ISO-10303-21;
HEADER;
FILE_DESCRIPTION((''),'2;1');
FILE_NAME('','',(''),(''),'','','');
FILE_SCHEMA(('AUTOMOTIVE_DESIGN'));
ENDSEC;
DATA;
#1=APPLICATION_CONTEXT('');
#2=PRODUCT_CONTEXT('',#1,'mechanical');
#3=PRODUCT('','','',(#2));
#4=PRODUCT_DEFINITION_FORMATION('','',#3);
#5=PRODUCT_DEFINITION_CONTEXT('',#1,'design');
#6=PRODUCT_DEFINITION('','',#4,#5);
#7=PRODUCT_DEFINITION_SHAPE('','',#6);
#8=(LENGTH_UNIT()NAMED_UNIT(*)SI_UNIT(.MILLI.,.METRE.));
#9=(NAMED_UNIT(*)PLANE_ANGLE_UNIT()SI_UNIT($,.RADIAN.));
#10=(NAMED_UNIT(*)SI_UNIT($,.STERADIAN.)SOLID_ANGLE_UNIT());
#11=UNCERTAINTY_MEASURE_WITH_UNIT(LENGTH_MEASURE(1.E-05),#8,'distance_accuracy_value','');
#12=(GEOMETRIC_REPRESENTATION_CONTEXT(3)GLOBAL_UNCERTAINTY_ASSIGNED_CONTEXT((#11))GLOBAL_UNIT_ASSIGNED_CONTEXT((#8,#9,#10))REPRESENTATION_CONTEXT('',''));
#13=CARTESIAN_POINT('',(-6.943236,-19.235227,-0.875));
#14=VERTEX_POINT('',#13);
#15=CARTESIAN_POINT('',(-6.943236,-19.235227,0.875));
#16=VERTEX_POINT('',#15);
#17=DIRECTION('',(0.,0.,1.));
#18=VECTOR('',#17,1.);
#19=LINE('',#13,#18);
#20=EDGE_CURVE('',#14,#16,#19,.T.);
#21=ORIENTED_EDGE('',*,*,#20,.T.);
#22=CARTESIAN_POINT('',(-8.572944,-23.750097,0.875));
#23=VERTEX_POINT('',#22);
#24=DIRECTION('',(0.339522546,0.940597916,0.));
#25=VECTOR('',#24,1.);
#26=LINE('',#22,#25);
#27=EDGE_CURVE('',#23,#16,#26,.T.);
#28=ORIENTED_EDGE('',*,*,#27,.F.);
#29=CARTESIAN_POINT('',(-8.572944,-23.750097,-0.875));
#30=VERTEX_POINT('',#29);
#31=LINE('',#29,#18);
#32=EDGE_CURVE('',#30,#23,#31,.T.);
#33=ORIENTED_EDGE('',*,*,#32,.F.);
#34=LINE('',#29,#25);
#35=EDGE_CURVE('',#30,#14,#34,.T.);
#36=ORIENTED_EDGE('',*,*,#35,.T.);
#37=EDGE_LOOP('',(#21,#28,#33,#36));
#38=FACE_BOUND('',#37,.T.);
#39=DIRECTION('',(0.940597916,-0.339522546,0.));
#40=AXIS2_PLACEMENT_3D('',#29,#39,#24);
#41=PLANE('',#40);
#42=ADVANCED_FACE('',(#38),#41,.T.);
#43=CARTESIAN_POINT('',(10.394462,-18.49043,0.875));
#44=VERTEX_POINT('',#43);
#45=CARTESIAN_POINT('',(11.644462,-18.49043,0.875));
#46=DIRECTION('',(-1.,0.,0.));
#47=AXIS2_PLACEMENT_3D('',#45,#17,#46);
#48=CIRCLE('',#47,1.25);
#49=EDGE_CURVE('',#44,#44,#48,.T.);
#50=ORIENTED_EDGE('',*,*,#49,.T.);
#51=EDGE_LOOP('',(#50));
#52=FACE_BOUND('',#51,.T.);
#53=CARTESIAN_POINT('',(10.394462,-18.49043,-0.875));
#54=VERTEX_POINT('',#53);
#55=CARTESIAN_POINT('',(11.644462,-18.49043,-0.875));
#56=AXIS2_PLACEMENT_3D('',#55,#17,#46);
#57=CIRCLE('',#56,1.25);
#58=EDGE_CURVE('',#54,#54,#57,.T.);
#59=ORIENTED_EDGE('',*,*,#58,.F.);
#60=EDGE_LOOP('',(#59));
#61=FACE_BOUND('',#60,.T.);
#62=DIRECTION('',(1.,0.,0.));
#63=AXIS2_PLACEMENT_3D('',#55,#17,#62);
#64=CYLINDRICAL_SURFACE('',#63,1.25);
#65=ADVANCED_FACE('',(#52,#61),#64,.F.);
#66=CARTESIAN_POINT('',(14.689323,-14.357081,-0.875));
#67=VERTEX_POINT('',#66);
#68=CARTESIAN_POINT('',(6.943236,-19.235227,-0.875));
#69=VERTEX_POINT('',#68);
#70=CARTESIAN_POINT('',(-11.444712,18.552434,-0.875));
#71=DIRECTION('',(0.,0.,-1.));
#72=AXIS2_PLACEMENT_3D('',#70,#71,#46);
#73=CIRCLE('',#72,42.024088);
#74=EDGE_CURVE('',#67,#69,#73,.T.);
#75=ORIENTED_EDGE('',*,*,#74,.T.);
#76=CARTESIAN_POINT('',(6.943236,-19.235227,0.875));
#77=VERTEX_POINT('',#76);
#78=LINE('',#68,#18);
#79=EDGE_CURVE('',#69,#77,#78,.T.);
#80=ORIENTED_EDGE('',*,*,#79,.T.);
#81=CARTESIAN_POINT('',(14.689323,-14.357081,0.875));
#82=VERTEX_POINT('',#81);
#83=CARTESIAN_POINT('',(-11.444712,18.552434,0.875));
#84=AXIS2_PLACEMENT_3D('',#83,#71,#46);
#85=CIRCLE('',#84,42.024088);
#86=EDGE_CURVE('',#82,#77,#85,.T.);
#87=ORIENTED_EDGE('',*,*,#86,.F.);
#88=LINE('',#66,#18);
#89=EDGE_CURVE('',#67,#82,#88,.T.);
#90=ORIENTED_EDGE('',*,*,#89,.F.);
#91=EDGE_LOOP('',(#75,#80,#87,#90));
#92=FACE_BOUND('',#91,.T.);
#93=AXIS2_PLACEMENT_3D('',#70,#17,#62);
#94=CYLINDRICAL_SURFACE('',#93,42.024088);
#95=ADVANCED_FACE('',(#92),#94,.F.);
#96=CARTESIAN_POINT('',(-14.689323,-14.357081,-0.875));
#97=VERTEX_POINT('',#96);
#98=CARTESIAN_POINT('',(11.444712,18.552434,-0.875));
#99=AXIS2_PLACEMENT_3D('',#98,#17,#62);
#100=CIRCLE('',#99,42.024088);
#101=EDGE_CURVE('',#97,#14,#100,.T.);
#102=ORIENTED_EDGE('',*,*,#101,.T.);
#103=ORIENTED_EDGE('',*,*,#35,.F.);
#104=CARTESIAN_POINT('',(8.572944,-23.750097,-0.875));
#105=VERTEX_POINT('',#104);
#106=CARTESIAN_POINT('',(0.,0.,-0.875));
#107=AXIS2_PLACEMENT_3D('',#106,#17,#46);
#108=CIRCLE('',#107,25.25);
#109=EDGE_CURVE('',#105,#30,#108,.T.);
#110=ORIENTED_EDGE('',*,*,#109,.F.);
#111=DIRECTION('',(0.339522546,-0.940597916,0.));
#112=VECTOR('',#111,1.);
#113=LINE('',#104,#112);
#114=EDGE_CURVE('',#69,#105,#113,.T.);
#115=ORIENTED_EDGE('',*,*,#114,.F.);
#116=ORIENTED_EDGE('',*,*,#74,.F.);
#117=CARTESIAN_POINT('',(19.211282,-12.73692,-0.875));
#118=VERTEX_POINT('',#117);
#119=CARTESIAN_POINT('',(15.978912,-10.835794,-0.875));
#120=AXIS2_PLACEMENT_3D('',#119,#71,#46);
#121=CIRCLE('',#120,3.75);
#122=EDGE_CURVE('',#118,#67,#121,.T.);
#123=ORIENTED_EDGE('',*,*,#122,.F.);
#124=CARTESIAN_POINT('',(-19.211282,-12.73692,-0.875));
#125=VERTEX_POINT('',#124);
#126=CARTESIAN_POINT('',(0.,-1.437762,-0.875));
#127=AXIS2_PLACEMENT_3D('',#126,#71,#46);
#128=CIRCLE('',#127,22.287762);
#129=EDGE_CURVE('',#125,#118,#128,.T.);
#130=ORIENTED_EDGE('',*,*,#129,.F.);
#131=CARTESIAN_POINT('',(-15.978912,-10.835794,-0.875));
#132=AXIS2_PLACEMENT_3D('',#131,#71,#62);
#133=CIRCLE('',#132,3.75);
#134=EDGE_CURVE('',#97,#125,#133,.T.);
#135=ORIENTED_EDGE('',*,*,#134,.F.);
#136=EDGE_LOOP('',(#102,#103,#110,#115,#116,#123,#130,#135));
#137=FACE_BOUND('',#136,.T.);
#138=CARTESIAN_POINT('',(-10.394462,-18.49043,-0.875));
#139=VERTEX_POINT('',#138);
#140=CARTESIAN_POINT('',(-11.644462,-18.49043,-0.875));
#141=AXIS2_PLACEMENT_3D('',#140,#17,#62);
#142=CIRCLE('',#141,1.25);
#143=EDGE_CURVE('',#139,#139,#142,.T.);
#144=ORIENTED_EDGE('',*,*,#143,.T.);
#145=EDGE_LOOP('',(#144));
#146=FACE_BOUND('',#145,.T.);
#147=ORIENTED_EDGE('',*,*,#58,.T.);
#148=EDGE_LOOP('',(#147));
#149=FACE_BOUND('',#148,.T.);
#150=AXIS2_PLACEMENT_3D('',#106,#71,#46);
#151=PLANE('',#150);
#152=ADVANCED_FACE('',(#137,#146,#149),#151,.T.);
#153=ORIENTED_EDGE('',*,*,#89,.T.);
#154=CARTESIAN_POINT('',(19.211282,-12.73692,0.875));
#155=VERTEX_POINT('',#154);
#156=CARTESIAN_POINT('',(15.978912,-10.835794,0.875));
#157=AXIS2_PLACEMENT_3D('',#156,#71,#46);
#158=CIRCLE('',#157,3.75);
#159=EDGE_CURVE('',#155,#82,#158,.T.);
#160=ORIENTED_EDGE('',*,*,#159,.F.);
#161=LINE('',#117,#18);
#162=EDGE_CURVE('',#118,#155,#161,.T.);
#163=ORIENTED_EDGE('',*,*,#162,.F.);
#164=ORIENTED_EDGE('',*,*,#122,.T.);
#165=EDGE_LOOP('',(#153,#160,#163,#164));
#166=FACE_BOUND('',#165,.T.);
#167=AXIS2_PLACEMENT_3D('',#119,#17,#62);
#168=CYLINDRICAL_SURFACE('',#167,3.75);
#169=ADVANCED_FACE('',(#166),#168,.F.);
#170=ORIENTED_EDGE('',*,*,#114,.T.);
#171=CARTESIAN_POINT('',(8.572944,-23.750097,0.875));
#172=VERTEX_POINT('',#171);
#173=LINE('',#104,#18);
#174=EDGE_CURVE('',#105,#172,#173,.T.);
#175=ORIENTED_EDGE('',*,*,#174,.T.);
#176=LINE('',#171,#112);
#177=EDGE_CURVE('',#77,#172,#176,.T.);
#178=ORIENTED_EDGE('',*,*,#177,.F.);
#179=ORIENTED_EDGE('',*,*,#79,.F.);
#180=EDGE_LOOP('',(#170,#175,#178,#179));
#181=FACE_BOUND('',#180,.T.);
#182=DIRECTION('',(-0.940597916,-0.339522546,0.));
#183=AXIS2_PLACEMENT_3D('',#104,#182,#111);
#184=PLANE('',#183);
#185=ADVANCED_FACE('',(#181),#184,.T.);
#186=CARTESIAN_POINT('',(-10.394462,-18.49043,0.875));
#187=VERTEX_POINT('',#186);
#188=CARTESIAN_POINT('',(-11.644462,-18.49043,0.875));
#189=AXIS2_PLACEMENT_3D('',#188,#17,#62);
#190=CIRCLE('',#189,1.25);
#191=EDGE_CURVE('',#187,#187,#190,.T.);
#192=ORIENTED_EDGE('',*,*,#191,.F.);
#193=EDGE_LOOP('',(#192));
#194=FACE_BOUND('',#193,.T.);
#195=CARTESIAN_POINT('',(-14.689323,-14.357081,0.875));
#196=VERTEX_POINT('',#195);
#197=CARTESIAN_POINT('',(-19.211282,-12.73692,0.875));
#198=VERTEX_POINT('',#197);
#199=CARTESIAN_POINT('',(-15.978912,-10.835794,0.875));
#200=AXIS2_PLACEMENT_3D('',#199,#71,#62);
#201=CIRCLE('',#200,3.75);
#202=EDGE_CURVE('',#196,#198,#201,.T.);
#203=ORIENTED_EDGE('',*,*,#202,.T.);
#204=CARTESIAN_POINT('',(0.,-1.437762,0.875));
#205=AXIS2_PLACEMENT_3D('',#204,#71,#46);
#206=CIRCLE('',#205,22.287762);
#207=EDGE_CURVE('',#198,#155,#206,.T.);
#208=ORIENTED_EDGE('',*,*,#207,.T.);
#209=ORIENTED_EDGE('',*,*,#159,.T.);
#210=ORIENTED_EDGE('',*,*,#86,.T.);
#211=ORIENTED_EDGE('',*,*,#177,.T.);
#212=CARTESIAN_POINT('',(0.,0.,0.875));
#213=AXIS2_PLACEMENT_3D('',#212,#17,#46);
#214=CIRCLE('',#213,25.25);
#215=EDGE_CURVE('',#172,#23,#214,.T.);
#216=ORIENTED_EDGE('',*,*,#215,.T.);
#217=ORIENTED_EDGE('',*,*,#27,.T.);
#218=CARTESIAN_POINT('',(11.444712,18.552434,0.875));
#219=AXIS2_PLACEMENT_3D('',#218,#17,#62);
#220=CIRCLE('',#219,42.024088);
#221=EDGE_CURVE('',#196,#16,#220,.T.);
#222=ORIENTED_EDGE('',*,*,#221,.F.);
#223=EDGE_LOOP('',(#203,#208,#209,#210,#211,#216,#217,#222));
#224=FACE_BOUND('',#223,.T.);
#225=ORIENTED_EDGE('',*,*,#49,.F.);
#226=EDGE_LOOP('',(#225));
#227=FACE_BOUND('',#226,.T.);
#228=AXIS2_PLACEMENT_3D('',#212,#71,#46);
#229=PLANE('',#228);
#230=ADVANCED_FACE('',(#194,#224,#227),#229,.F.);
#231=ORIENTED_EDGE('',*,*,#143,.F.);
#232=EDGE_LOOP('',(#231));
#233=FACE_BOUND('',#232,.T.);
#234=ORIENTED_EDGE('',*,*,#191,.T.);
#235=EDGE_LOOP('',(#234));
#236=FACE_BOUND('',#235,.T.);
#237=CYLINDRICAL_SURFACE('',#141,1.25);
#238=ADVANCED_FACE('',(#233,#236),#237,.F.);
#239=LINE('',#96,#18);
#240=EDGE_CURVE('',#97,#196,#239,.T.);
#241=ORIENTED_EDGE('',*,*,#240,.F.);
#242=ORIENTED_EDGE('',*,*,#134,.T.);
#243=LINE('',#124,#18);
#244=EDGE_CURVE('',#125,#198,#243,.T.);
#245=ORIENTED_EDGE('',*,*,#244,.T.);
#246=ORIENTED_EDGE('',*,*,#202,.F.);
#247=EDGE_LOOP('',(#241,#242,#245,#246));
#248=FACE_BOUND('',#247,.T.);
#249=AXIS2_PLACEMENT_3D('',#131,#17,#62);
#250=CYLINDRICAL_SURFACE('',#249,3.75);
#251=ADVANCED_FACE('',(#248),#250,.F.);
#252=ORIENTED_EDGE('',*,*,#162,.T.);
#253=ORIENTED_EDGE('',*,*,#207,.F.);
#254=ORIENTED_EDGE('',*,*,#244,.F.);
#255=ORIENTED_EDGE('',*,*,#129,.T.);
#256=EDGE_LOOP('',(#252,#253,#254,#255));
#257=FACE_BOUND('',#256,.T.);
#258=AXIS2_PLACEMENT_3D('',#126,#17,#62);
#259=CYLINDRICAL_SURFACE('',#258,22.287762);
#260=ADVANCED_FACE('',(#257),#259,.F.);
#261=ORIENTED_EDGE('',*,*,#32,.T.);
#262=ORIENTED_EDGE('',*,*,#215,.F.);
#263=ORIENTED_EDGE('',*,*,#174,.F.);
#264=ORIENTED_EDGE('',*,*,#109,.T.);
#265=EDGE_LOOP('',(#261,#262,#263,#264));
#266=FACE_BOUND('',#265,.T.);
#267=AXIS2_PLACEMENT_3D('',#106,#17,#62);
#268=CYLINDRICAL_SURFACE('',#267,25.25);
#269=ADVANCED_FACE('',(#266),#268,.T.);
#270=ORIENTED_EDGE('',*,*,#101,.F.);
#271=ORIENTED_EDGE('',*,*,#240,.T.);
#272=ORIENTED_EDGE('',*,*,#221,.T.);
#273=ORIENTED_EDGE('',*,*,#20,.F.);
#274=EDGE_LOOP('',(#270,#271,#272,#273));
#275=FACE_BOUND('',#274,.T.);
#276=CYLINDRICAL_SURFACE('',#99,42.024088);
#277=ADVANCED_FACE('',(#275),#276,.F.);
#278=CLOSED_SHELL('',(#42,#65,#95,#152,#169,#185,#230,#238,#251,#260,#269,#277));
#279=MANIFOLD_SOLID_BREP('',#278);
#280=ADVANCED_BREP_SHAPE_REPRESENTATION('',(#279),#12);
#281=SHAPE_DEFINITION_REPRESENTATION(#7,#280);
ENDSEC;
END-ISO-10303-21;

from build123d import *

# Parameters (mm, degrees)
BOSS_EXTRUDE1_DEPTH      = 0.875
BOSS_EXTRUDE1_DEPTH_BACK = 0.875
SKETCH3_R                = 1.25
CUT_EXTRUDE2_DEPTH       = 36.71961121


with BuildPart() as part:
    # Sketch3 → Boss-Extrude1 (new, two sides: drawn at the far end of the back side and taken through both)
    with BuildSketch(Plane.XY.offset(-BOSS_EXTRUDE1_DEPTH_BACK)):
        with BuildLine():
            Line((-8.572944297, -23.750097391), (-6.943236074, -19.235227392))
            Line((-6.943236074, -19.235227392), (-14.689323253, -14.357081274))
            ThreePointArc((-14.689323253, -14.357081274), (-17.243755895, -14.366044793), (-19.211282174, -12.736920241))
            ThreePointArc((-19.211282174, -12.736920241), (0, 20.85), (19.211282174, -12.736920241))
            ThreePointArc((19.211282174, -12.736920241), (17.243755895, -14.366044793), (14.689323253, -14.357081274))
            Line((14.689323253, -14.357081274), (6.943236074, -19.235227392))
            Line((6.943236074, -19.235227392), (8.572944297, -23.750097391))
            ThreePointArc((8.572944297, -23.750097391), (0, 25.25), (-8.572944297, -23.750097391))
        make_face()
        with Locations((-11.644462168, -18.490429957)):
            Circle(SKETCH3_R, mode=Mode.SUBTRACT)
        with Locations(Location((11.644462168, -18.490429957, 0), (0, 0, 180))):
            Circle(SKETCH3_R, mode=Mode.SUBTRACT)
    extrude(amount=BOSS_EXTRUDE1_DEPTH + BOSS_EXTRUDE1_DEPTH_BACK)

    # Sketch5 → Cut-Extrude2 (cut, symmetric)
    with BuildSketch(Plane.XY):
        with BuildLine():
            Line((-14.689323253, -14.357081274), (0, 0))
            Line((0, 0), (-6.943236074, -19.235227392))
            ThreePointArc((-6.943236074, -19.235227392), (-10.949502149, -17.007700474), (-14.689323253, -14.357081274))
        make_face()
    cut_extrude2 = extrude(amount=CUT_EXTRUDE2_DEPTH, both=True, mode=Mode.SUBTRACT)

    # Mirror1: Cut-Extrude2 across plane
    add(cut_extrude2.mirror(Plane(origin=(0, 0, 0), x_dir=(0, 0, 1), z_dir=(1, 0, 0))), mode=Mode.SUBTRACT)


solid = part.part
